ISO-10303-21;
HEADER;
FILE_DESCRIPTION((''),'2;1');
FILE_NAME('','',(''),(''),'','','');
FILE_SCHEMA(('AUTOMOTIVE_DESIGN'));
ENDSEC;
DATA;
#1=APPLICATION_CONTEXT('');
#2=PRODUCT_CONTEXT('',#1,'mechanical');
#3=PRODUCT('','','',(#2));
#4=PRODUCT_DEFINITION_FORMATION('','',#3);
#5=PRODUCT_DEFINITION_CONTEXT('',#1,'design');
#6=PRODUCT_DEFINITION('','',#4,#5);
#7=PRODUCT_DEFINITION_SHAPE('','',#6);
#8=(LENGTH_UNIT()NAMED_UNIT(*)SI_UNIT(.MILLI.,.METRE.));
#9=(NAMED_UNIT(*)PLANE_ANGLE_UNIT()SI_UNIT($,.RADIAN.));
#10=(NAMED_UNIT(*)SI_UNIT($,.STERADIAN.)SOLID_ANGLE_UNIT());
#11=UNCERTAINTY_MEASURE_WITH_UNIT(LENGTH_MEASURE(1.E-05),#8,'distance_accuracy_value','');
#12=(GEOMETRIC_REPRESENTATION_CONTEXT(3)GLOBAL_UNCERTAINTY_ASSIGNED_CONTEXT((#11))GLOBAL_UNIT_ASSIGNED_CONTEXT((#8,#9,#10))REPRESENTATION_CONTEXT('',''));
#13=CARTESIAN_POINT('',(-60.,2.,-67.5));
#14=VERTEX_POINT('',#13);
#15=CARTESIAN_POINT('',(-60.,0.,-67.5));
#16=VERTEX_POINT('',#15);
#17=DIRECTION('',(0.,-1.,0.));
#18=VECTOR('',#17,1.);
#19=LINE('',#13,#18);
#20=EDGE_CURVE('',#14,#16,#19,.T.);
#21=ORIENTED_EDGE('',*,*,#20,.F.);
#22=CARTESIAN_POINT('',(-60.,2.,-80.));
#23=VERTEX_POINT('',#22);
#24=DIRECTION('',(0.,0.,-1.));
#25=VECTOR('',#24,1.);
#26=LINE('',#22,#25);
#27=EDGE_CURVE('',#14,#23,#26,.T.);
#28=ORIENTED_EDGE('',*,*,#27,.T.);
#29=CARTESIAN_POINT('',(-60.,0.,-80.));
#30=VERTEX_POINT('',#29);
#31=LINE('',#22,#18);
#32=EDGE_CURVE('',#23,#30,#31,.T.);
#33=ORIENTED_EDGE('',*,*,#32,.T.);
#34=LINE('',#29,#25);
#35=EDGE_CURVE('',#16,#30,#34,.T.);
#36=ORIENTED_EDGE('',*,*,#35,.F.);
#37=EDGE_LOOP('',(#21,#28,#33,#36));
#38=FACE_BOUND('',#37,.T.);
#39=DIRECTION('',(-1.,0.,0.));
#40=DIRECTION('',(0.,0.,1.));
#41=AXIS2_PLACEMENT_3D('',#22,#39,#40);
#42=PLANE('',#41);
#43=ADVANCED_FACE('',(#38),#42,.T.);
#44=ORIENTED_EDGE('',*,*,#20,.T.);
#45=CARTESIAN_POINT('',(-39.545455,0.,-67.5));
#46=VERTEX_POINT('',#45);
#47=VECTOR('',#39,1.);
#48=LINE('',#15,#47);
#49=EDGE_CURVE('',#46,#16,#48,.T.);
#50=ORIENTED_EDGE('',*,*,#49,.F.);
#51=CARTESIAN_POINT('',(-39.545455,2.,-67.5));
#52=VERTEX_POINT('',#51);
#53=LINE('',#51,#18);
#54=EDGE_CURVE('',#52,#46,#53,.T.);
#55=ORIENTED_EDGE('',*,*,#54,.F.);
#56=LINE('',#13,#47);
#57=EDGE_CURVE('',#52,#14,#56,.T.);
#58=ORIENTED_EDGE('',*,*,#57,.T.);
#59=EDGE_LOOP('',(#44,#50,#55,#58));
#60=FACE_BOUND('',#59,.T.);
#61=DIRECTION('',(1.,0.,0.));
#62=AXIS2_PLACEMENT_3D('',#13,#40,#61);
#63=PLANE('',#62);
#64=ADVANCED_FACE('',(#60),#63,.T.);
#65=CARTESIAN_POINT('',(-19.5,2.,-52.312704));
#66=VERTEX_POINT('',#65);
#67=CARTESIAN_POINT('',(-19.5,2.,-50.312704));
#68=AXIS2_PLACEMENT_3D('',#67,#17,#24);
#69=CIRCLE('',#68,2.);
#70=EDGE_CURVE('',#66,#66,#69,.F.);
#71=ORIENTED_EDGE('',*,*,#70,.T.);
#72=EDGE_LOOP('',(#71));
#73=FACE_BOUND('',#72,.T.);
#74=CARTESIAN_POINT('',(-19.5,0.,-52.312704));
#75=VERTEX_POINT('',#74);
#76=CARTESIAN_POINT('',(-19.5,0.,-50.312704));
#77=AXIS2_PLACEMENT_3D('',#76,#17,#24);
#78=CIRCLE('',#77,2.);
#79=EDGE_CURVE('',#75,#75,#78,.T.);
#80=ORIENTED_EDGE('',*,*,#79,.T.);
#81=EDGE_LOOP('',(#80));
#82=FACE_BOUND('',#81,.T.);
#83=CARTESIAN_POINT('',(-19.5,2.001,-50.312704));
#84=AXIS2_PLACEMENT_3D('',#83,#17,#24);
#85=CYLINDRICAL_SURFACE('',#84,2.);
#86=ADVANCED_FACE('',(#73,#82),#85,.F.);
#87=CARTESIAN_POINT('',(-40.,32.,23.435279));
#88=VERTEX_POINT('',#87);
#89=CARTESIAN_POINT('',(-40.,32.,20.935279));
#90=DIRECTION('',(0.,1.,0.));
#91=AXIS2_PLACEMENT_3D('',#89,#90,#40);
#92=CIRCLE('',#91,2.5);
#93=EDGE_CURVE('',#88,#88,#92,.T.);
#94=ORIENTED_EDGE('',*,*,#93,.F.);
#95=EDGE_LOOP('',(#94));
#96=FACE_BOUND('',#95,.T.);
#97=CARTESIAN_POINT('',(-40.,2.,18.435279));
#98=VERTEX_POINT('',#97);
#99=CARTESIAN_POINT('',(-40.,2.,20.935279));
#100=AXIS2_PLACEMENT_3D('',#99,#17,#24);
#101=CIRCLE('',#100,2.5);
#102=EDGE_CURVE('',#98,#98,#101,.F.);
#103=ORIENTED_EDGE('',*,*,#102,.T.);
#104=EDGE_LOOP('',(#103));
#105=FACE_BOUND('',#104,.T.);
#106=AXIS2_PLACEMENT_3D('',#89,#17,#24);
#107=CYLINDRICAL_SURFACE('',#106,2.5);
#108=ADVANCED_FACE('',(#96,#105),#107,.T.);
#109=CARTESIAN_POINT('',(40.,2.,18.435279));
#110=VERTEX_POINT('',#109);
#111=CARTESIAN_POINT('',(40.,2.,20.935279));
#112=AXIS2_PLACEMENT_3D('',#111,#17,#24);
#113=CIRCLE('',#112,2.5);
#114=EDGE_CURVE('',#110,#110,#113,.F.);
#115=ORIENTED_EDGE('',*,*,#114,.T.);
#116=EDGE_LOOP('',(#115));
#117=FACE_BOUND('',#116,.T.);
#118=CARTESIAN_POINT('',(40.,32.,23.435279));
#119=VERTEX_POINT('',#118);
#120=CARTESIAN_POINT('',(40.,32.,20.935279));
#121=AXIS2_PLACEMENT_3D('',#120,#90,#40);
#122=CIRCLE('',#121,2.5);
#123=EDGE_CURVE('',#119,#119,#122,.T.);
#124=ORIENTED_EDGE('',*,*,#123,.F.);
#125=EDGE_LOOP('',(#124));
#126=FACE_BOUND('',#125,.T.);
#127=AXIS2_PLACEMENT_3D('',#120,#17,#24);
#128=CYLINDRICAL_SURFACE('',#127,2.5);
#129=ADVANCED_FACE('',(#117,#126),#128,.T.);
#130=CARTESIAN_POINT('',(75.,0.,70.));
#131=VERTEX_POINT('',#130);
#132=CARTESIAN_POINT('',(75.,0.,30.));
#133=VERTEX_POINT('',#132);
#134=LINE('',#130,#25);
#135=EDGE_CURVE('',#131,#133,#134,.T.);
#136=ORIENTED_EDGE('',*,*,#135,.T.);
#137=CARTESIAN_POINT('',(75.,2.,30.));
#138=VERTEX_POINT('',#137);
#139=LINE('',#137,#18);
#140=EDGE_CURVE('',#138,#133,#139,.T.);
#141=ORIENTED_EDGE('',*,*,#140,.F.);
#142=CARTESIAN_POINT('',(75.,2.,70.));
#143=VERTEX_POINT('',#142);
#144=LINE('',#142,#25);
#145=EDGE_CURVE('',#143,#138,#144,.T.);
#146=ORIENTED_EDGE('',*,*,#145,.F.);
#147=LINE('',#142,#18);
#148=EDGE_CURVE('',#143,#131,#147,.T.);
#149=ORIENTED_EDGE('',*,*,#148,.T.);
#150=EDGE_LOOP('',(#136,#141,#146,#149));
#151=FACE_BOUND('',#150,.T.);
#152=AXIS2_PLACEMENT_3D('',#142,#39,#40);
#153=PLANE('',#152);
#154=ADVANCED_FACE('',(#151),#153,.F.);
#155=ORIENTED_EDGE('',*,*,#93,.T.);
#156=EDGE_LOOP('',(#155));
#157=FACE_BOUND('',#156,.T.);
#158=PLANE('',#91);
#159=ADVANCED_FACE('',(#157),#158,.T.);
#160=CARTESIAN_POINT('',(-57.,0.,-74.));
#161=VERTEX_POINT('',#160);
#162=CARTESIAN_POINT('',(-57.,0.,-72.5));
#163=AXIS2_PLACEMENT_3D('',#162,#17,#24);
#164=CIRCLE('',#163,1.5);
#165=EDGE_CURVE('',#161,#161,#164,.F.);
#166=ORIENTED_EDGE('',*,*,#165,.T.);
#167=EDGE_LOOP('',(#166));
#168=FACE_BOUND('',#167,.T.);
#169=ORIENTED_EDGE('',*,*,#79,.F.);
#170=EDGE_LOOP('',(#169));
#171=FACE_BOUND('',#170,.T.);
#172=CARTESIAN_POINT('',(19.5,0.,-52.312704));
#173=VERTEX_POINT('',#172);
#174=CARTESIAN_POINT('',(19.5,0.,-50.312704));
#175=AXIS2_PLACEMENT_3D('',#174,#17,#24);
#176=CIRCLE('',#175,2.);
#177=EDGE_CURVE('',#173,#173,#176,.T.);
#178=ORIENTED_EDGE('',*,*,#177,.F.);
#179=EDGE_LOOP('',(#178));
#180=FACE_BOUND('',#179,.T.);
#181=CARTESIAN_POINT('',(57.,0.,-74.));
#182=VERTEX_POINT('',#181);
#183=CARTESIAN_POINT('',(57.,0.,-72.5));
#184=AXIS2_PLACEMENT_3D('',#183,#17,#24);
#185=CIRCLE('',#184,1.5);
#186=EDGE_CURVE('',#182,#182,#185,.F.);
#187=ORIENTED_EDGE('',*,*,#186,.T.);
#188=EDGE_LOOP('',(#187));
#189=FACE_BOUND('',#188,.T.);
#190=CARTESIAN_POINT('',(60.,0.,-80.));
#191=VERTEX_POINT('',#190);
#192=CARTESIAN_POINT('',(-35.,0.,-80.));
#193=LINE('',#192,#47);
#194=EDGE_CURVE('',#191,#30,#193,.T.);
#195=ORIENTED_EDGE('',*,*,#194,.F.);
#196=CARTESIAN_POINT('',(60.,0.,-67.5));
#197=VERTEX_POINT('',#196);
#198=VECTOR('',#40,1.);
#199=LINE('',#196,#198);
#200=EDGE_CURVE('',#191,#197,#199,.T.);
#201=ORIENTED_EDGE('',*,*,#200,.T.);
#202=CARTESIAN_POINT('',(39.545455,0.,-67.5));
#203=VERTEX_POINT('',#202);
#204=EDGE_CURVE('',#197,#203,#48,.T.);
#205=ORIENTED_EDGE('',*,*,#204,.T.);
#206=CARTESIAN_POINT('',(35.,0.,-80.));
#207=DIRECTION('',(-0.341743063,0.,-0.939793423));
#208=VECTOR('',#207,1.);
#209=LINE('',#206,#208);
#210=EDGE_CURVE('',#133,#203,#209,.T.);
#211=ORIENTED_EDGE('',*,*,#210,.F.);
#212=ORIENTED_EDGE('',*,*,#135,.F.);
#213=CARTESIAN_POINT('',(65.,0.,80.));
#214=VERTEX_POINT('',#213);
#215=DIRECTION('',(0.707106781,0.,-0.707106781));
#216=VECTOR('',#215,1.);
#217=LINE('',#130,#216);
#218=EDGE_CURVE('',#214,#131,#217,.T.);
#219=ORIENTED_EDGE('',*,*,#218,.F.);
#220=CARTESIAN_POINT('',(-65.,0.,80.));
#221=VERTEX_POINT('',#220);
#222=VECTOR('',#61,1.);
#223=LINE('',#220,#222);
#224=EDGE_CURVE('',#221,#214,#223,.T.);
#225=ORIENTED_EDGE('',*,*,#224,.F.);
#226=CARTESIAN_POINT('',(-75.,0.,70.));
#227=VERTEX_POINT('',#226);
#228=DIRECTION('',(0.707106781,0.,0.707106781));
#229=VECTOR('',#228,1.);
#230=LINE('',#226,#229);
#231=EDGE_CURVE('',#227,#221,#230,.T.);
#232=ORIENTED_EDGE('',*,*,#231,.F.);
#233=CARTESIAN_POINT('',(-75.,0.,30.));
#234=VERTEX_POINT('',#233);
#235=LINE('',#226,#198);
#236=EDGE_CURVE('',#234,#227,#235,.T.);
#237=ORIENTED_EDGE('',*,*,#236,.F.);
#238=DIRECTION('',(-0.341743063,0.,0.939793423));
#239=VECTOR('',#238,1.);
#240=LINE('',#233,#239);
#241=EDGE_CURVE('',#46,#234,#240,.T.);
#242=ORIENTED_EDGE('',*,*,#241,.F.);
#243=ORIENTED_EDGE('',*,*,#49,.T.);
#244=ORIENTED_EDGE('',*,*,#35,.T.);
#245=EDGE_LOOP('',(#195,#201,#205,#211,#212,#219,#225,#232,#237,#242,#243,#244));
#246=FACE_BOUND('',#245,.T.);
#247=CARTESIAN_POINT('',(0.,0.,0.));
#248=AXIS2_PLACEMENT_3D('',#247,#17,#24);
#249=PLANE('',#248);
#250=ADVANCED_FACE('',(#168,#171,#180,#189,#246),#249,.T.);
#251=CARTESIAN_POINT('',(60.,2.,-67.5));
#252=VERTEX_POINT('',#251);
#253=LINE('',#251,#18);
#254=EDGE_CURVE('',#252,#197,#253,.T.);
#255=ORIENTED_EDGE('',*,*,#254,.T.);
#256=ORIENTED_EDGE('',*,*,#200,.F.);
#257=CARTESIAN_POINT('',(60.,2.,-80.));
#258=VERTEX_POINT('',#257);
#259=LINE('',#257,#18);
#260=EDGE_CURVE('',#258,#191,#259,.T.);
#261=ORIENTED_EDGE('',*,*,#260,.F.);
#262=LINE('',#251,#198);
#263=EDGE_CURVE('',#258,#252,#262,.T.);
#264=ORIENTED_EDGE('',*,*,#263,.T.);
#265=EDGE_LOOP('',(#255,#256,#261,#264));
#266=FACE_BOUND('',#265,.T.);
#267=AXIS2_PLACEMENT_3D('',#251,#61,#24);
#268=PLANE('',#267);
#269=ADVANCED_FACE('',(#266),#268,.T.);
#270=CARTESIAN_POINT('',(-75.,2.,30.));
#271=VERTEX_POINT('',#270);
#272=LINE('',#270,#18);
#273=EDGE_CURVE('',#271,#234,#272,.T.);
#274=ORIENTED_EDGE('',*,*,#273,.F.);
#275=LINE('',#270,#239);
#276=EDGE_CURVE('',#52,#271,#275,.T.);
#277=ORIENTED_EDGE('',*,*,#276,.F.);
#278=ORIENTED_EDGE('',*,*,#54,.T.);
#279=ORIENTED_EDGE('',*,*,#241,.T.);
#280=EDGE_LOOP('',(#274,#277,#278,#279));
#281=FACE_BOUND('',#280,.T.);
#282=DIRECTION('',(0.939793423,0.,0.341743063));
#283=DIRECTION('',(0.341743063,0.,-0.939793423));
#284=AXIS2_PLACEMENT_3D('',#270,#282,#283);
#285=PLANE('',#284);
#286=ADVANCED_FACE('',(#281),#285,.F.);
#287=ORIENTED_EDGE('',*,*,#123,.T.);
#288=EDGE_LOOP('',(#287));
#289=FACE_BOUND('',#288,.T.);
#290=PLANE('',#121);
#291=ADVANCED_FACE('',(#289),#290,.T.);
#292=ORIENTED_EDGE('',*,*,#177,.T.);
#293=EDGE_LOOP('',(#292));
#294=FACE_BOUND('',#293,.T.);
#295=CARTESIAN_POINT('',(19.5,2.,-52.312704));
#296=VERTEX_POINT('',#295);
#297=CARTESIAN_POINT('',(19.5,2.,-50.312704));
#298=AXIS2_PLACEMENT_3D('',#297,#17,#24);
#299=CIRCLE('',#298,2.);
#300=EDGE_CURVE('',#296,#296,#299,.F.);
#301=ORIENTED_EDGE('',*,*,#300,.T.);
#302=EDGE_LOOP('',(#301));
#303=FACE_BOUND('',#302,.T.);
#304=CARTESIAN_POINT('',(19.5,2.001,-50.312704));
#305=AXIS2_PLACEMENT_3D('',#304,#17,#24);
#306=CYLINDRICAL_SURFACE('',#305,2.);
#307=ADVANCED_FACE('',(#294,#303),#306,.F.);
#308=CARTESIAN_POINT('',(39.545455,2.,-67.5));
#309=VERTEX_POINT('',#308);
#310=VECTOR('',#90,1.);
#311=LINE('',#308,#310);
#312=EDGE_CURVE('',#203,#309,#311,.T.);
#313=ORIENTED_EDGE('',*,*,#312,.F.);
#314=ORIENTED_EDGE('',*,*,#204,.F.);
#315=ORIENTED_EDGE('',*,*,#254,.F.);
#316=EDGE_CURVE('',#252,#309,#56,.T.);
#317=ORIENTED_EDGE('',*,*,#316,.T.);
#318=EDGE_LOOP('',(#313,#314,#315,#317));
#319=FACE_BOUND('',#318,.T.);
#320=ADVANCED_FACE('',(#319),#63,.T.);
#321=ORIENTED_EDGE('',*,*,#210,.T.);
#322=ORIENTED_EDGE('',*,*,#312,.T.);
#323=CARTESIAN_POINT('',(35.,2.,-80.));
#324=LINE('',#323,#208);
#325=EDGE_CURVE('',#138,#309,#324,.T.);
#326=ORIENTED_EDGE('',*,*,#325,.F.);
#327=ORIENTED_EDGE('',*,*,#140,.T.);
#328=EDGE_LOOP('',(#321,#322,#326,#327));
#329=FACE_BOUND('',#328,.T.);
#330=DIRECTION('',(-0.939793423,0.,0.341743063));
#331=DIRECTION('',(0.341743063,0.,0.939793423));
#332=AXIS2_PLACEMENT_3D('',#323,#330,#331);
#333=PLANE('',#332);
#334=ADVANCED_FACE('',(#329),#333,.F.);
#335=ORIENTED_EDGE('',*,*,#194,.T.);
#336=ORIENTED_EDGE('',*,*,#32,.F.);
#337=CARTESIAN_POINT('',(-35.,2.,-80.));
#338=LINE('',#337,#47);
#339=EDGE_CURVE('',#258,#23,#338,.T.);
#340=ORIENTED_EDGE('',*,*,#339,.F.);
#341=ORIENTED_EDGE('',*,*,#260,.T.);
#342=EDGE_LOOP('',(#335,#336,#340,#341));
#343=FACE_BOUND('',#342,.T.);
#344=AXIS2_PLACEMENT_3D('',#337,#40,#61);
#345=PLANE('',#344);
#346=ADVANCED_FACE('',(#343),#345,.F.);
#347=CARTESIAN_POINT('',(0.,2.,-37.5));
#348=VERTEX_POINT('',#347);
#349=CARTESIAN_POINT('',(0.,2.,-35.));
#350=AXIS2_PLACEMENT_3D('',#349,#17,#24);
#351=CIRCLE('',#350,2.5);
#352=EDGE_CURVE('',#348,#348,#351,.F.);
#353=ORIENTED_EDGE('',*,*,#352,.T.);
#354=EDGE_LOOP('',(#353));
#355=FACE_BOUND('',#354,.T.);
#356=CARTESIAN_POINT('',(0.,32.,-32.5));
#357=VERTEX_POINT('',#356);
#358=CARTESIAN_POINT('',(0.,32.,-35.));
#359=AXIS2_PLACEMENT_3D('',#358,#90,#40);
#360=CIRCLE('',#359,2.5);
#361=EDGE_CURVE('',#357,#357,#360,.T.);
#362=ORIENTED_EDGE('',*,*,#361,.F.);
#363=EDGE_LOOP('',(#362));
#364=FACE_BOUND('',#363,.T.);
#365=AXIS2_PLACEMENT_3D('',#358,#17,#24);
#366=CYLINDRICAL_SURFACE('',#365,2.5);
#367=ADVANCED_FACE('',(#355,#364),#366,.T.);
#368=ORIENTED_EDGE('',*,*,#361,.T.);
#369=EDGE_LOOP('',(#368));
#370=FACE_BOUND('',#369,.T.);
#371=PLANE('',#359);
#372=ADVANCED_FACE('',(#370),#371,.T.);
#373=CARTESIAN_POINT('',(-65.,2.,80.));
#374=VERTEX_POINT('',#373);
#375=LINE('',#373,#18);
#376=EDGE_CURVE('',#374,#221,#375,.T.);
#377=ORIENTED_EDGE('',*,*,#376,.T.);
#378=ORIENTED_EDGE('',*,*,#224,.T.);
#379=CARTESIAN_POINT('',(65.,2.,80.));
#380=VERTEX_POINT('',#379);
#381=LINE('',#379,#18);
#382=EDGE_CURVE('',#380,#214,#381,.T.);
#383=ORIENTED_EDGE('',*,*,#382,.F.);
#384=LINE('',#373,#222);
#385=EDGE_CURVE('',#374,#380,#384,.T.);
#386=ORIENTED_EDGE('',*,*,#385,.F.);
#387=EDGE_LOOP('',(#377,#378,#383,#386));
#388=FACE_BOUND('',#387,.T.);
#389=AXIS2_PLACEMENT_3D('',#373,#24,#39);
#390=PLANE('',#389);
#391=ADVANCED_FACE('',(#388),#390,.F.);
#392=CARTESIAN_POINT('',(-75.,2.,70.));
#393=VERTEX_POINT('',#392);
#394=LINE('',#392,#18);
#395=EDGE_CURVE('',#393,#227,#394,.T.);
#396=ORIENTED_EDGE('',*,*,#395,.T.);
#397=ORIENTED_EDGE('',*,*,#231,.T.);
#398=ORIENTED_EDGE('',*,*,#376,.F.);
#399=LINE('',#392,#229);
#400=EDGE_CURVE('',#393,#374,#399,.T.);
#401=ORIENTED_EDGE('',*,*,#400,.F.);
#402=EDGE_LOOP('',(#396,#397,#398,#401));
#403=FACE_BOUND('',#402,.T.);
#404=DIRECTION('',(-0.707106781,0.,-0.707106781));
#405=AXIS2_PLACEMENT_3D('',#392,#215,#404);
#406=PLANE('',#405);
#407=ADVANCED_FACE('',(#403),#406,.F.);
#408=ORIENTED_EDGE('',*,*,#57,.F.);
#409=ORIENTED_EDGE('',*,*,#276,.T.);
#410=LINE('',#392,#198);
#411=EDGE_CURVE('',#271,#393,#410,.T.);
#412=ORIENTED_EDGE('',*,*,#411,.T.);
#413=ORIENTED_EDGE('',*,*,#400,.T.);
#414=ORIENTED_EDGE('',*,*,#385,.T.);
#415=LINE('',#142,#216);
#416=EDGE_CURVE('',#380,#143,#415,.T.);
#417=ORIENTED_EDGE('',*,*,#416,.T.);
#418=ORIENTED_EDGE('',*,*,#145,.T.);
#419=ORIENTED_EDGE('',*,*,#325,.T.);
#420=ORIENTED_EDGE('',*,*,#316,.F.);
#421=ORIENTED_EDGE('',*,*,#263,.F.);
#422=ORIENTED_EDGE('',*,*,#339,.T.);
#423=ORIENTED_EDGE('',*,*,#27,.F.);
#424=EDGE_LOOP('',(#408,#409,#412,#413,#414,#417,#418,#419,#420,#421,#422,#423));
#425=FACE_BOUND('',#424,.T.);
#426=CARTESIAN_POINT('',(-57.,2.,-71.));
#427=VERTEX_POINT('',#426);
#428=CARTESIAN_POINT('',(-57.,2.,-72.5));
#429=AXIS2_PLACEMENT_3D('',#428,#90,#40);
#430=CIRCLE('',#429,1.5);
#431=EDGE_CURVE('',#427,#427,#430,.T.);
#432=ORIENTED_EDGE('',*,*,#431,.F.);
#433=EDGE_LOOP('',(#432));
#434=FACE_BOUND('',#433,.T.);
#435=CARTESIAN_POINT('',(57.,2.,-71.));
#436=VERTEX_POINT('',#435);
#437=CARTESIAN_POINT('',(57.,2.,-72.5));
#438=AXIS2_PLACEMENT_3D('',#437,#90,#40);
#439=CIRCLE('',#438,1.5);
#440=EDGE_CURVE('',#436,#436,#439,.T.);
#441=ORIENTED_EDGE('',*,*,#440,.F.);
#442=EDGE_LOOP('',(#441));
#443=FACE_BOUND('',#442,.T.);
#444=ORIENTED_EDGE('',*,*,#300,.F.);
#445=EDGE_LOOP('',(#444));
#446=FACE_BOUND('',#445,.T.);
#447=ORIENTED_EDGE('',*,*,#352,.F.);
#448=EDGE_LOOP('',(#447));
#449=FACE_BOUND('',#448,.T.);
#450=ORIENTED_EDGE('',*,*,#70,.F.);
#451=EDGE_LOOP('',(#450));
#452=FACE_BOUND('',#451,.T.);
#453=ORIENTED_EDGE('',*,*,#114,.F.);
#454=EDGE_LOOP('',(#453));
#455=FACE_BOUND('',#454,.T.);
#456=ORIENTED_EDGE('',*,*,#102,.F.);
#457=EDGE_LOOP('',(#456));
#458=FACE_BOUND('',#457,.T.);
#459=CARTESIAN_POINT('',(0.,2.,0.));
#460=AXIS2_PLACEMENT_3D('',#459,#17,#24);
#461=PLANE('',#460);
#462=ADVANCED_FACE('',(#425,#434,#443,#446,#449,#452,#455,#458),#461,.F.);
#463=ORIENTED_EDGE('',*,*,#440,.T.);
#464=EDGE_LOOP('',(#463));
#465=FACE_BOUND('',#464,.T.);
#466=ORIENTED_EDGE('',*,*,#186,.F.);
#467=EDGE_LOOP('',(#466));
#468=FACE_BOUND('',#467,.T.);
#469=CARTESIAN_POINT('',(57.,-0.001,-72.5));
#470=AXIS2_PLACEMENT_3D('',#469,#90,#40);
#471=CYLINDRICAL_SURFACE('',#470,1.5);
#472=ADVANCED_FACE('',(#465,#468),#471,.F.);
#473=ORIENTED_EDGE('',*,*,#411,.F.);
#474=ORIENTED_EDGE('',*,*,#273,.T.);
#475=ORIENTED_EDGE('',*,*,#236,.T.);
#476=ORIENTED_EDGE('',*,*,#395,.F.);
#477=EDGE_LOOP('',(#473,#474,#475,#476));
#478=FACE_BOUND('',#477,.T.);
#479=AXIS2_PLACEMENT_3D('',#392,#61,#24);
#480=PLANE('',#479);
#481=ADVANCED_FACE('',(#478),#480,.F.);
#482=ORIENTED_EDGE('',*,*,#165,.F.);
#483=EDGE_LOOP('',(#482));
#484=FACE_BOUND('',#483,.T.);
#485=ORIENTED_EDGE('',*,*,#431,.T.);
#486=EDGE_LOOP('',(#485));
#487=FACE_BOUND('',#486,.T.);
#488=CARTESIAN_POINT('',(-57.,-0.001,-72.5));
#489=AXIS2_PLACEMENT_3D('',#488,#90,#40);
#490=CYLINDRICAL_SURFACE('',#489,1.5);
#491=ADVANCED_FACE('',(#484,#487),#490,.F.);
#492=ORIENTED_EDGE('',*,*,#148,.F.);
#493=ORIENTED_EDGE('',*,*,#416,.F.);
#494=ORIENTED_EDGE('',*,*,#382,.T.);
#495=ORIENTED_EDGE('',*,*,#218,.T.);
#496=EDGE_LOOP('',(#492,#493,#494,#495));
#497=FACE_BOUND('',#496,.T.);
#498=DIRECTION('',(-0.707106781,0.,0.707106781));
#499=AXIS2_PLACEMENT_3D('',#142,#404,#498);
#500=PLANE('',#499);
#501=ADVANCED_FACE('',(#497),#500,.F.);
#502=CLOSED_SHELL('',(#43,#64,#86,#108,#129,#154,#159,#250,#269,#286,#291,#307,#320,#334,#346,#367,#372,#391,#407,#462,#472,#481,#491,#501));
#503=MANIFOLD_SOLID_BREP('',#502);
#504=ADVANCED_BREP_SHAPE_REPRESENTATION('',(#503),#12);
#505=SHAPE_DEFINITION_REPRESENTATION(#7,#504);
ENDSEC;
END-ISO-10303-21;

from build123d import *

# Parameters (mm, degrees)
BOSS_EXTRUDE1_DEPTH = 2
CUT_EXTRUDE1_REACH  = 4
SKETCH2_R           = 2
BOSS_EXTRUDE2_DEPTH = 2
CUT_EXTRUDE2_REACH  = 4
SKETCH5_R           = 1.5
SKETCH6_R           = 2.5
BOSS_EXTRUDE3_DEPTH = 30


with BuildPart() as part:
    # Sketch1 → Boss-Extrude1 (new body)
    with BuildSketch(Plane(origin=(0, 0, 0), x_dir=(1, 0, 0), z_dir=(0, 1, 0))):
        Polygon((-75, -70), (-65, -80), (65, -80), (75, -70), (75, -30), (35, 80), (-35, 80), (-75, -30), align=None)
    extrude(amount=BOSS_EXTRUDE1_DEPTH)

    # Sketch2 → Cut-Extrude1 (cut, up to next)
    with BuildSketch(Plane.XZ, mode=Mode.PRIVATE) as cut_extrude1_sk1:
        with Locations((-19.5, -50.31270399)):
            Circle(SKETCH2_R)
    cut_extrude1_tool1 = extrude(cut_extrude1_sk1.sketch, amount=-CUT_EXTRUDE1_REACH, mode=Mode.PRIVATE) & part.part
    add(cut_extrude1_tool1.solids().sort_by_distance((-19.5, 0, -50.312704))[0], mode=Mode.SUBTRACT)
    # Sketch2 → Cut-Extrude1 (cut, up to next)
    with BuildSketch(Plane.XZ, mode=Mode.PRIVATE) as cut_extrude1_sk2:
        with Locations((19.5, -50.31270399)):
            Circle(SKETCH2_R)
    cut_extrude1_tool2 = extrude(cut_extrude1_sk2.sketch, amount=-CUT_EXTRUDE1_REACH, mode=Mode.PRIVATE) & part.part
    add(cut_extrude1_tool2.solids().sort_by_distance((19.5, 0, -50.312704))[0], mode=Mode.SUBTRACT)

    # Sketch3 → Boss-Extrude2 (add)
    with BuildSketch(Plane.XZ):
        Polygon((-35, -80), (-60, -80), (-60, -67.5), (60, -67.5), (60, -80), align=None)
    extrude(amount=-BOSS_EXTRUDE2_DEPTH)

    # Sketch5 → Cut-Extrude2 (cut, up to next)
    with BuildSketch(Plane(origin=(0, 2, 0), x_dir=(1, 0, 0), z_dir=(0, 1, 0)), mode=Mode.PRIVATE) as cut_extrude2_sk1:
        with Locations((57, 72.5)):
            Circle(SKETCH5_R)
    cut_extrude2_tool1 = extrude(cut_extrude2_sk1.sketch, amount=-CUT_EXTRUDE2_REACH, mode=Mode.PRIVATE) & part.part
    add(cut_extrude2_tool1.solids().sort_by_distance((57, 2, -72.5))[0], mode=Mode.SUBTRACT)
    # Sketch5 → Cut-Extrude2 (cut, up to next)
    with BuildSketch(Plane(origin=(0, 2, 0), x_dir=(1, 0, 0), z_dir=(0, 1, 0)), mode=Mode.PRIVATE) as cut_extrude2_sk2:
        with Locations((-57, 72.5)):
            Circle(SKETCH5_R)
    cut_extrude2_tool2 = extrude(cut_extrude2_sk2.sketch, amount=-CUT_EXTRUDE2_REACH, mode=Mode.PRIVATE) & part.part
    add(cut_extrude2_tool2.solids().sort_by_distance((-57, 2, -72.5))[0], mode=Mode.SUBTRACT)

    # Sketch6 → Boss-Extrude3 (add)
    with BuildSketch(Plane(origin=(0, 2, 0), x_dir=(1, 0, 0), z_dir=(0, 1, 0))):
        with Locations((-40, -20.935279196)):
            Circle(SKETCH6_R)
        with Locations((40, -20.935279196)):
            Circle(SKETCH6_R)
        with Locations((0, 35)):
            Circle(SKETCH6_R)
    extrude(amount=BOSS_EXTRUDE3_DEPTH)


solid = part.part
